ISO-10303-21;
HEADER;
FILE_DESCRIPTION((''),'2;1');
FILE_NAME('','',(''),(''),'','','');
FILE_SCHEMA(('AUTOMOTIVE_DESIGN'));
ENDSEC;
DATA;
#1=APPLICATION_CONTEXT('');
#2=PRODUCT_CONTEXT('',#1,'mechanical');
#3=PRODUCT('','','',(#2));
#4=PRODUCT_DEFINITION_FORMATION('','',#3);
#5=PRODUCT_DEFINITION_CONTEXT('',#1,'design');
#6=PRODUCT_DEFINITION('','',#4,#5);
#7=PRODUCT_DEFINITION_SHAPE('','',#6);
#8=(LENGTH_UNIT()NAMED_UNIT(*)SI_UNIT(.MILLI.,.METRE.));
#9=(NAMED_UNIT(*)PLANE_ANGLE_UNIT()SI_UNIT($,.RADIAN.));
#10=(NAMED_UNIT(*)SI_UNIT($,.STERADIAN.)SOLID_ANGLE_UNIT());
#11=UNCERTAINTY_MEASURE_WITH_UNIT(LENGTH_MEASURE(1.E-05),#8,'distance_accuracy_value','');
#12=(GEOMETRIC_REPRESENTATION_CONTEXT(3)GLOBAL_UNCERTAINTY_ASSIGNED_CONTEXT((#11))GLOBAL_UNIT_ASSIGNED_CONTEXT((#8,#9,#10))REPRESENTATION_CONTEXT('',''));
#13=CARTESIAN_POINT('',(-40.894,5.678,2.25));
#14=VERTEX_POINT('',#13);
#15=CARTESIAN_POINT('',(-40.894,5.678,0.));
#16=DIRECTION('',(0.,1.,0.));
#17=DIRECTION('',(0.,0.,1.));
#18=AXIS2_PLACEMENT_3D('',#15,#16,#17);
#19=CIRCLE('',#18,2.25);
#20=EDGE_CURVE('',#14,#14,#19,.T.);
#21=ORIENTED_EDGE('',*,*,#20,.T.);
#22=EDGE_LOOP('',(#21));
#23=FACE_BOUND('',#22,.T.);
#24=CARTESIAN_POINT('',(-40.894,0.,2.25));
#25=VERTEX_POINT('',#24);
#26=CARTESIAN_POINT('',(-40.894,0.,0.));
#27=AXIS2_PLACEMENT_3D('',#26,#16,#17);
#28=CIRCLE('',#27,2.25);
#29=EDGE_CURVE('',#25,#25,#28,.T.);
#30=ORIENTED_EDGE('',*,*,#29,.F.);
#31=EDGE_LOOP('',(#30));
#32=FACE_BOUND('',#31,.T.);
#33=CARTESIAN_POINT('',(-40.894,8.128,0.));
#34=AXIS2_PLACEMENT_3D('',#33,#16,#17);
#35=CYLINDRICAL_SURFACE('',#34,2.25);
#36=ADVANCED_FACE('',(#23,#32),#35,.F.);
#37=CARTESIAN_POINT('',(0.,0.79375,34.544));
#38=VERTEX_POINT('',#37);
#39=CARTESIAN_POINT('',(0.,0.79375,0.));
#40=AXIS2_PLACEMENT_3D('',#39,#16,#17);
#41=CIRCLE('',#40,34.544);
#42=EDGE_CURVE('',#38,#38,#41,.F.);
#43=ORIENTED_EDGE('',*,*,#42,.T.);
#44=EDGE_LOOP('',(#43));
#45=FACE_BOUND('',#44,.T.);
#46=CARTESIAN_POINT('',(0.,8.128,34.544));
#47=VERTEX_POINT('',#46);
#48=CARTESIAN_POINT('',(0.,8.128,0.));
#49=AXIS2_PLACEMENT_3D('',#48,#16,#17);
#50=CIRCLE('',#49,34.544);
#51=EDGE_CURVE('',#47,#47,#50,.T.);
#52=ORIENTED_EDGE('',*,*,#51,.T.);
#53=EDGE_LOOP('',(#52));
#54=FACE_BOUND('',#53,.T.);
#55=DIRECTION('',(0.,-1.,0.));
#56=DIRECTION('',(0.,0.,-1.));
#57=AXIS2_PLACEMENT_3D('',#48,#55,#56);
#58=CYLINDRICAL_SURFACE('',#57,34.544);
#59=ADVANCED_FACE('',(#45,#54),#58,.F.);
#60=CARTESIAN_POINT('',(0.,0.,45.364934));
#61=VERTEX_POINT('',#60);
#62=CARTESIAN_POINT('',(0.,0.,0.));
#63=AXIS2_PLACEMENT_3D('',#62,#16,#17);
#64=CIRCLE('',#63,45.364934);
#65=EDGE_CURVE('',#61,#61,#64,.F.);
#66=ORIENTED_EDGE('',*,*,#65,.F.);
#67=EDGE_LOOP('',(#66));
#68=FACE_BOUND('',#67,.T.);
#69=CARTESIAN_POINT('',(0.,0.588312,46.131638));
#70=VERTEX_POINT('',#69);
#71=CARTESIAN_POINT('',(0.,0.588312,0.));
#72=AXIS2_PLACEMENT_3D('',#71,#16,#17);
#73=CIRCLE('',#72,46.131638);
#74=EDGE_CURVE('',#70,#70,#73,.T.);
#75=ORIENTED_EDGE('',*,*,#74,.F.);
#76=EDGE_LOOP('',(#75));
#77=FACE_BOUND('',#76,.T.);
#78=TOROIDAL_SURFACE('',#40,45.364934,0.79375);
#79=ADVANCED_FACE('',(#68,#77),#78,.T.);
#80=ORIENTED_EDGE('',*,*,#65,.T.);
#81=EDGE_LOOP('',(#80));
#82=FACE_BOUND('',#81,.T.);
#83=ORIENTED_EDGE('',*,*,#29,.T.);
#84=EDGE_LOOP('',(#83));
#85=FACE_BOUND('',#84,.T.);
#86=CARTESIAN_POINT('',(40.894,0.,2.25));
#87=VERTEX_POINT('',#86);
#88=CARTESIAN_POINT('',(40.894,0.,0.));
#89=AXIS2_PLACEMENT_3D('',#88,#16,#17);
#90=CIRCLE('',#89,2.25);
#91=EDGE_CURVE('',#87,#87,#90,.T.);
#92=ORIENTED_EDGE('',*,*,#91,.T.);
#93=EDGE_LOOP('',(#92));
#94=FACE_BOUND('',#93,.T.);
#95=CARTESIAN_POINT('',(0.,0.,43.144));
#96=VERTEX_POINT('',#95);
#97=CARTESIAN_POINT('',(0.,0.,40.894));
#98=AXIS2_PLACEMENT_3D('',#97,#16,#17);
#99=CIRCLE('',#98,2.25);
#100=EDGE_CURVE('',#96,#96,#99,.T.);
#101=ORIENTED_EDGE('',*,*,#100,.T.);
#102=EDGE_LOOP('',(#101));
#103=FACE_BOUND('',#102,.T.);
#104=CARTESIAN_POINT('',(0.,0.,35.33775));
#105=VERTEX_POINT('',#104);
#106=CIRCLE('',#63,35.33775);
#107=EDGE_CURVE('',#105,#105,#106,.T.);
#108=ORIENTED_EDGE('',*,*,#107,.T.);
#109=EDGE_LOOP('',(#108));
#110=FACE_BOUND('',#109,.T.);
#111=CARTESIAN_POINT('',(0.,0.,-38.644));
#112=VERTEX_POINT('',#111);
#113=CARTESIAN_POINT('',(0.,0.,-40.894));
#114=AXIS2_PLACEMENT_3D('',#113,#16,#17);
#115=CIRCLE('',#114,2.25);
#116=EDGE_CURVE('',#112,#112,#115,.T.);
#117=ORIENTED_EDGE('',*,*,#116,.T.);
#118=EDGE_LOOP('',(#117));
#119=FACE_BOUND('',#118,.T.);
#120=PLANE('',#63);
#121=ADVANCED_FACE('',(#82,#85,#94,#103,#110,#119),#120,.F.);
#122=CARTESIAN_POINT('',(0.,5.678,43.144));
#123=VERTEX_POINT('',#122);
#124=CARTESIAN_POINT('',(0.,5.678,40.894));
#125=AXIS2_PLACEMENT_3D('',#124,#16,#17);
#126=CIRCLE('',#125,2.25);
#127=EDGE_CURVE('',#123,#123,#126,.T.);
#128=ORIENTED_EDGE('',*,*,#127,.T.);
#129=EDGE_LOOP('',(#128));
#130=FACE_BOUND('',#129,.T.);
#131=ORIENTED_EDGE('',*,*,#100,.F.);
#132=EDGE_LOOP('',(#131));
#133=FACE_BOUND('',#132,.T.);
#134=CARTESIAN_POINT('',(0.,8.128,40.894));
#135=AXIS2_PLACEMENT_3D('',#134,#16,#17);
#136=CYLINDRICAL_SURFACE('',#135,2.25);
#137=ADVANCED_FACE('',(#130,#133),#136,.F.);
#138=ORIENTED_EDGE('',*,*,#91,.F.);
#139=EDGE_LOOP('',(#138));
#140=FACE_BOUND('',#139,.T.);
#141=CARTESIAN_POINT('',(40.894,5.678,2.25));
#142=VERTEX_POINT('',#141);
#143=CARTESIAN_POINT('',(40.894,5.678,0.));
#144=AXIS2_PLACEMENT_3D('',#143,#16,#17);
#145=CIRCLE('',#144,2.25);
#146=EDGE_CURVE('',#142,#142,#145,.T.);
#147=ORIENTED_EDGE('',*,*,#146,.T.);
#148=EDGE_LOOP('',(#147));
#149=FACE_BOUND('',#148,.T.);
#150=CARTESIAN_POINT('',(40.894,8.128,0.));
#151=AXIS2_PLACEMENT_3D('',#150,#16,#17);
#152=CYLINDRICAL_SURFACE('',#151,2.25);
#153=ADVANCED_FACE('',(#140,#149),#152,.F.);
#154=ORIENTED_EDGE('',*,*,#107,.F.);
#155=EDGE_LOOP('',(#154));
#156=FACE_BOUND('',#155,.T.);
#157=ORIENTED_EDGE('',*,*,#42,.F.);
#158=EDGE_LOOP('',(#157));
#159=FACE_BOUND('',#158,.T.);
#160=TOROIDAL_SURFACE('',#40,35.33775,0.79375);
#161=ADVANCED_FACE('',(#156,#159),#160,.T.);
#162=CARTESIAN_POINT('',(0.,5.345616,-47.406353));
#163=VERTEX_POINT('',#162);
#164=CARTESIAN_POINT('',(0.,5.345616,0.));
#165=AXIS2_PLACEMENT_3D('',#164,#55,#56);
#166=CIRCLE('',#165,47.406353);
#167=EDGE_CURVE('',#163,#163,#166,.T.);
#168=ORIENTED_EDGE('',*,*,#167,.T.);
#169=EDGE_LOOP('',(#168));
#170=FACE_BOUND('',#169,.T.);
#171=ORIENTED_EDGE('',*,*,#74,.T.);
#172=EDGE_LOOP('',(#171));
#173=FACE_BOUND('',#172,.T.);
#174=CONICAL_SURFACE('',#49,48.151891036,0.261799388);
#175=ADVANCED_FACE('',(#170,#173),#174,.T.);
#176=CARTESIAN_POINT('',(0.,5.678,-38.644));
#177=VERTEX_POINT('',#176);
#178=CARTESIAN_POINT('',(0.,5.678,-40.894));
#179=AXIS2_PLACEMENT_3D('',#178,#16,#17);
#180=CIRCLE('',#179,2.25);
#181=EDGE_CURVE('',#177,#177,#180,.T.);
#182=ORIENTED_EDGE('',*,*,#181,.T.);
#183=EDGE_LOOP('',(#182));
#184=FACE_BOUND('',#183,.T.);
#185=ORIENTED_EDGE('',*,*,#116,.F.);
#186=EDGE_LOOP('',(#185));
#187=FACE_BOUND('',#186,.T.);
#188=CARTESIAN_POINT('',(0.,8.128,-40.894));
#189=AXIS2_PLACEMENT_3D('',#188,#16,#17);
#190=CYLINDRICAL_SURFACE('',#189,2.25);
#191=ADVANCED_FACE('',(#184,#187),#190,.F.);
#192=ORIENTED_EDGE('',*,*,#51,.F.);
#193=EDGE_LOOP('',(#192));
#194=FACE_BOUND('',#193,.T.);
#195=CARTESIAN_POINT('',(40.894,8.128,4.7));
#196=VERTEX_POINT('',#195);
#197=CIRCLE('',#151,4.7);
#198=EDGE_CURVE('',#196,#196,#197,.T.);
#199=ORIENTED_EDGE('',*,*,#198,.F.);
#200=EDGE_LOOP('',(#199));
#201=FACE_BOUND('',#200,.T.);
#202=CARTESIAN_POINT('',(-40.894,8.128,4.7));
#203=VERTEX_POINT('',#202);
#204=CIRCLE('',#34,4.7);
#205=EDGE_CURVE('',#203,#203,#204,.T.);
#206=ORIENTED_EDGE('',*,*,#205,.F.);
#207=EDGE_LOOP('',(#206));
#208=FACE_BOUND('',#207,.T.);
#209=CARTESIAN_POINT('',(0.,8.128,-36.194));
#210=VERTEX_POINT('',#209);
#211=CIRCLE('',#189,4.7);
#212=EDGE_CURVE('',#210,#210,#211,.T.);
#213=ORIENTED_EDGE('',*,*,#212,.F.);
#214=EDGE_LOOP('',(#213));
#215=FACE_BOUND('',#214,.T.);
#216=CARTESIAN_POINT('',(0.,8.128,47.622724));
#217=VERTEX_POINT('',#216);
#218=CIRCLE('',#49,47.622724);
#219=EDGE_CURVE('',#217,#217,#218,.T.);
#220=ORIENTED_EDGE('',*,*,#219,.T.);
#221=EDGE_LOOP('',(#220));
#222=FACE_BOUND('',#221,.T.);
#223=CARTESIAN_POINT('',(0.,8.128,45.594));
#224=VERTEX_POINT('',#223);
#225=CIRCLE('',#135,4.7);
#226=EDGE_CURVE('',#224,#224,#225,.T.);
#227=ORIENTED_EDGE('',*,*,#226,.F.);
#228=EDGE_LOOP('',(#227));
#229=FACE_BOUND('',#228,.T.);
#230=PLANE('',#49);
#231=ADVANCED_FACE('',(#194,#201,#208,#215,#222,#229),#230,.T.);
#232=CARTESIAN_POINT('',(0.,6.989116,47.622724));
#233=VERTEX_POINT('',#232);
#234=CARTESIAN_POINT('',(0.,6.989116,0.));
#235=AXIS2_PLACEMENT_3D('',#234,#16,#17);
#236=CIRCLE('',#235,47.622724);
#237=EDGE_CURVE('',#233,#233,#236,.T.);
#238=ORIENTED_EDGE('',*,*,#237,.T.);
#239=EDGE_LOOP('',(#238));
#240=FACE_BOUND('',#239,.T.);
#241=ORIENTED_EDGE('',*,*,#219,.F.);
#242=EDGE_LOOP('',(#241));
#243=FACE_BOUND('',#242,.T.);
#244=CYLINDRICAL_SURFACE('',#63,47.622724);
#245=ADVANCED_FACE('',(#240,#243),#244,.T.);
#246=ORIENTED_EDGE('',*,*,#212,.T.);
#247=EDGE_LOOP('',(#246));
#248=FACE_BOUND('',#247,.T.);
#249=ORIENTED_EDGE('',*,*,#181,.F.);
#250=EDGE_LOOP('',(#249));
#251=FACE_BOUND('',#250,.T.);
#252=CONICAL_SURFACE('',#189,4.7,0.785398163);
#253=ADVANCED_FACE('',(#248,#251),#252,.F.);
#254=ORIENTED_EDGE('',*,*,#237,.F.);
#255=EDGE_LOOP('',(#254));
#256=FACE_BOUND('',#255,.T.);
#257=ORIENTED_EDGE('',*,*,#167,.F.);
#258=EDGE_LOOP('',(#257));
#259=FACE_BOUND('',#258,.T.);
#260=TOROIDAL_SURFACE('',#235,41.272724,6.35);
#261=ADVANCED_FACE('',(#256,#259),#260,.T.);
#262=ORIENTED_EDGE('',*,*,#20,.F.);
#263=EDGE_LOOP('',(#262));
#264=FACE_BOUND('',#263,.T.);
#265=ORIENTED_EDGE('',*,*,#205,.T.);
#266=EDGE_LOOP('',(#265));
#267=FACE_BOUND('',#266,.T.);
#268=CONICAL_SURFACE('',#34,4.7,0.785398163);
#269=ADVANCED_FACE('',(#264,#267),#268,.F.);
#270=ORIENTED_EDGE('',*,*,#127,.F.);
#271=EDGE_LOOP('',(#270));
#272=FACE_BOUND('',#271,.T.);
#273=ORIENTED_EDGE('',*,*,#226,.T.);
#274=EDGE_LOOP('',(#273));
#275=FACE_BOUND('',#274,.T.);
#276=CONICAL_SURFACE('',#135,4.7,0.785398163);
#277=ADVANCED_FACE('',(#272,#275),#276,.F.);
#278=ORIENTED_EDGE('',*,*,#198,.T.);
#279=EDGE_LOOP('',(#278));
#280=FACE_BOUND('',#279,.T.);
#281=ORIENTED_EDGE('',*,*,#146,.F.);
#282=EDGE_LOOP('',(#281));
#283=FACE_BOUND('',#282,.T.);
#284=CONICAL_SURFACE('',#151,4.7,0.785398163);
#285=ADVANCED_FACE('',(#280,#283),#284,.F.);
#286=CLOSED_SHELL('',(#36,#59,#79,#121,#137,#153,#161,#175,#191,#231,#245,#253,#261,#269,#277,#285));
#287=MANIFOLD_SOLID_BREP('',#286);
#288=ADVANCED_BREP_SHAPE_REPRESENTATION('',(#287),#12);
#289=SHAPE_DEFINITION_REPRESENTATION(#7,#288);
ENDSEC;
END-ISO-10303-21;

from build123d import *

# Parameters (mm, degrees)
SKETCH1_R                                       = 47.244
SKETCH1_R_2                                     = 34.544
BOSS_EXTRUDE1_DEPTH                             = 8.128
CSK_FOR_M4_FLAT_HEAD_MACHINE_SCREW1_D           = 4.5
CSK_FOR_M4_FLAT_HEAD_MACHINE_SCREW1_CSINK_D     = 9.4
CSK_FOR_M4_FLAT_HEAD_MACHINE_SCREW1_CSINK_ANGLE = 90
CIRPATTERN1_COUNT                               = 4
DRAFT2_ANGLE                                    = 15
SKETCH6_OUTSIDE_W                               = 125.592
SKETCH6_OUTSIDE_H                               = 125.592
SKETCH6_OUTSIDE_R                               = 47.622724369
CUT_EXTRUDE1_DEPTH                              = 69.580417064
FILLET1_R                                       = 6.35
FILLET2_R                                       = 0.79375


with BuildPart() as part:
    # Sketch1 → Boss-Extrude1 (new body)
    with BuildSketch(Plane(origin=(0, 0, 0), x_dir=(1, 0, 0), z_dir=(0, 1, 0))):
        with Locations(Location((0, 0, 0), (0, 0, 270))):
            Circle(SKETCH1_R)
        with Locations(Location((0, 0, 0), (0, 0, 270))):
            Circle(SKETCH1_R_2, mode=Mode.SUBTRACT)
    extrude(amount=BOSS_EXTRUDE1_DEPTH)

    # CSK for M4 Flat Head Machine Screw1 (through all)
    with Locations(Plane(origin=(0, 8.128, -40.894), x_dir=(0, 0, 1), z_dir=(0, 1, 0))):
        with Locations((0, 0)):
            csk_for_m4_flat_head_machine_screw1 = CounterSinkHole(CSK_FOR_M4_FLAT_HEAD_MACHINE_SCREW1_D / 2, CSK_FOR_M4_FLAT_HEAD_MACHINE_SCREW1_CSINK_D / 2, counter_sink_angle=CSK_FOR_M4_FLAT_HEAD_MACHINE_SCREW1_CSINK_ANGLE)

    # CirPattern1: CSK for M4 Flat Head Machine Screw1 ×4 about axis
    cirpattern1_axis = Axis((0, 0, 0), (0, 1, 0))
    for i in range(1, CIRPATTERN1_COUNT):
        add(csk_for_m4_flat_head_machine_screw1.rotate(cirpattern1_axis, i * 360 / CIRPATTERN1_COUNT), mode=Mode.SUBTRACT)

    # Draft2
    draft2_faces = [part.faces().sort_by_distance(p)[0] for p in [
        (0, 4.064, -47.244),
    ]]
    draft(draft2_faces, Plane(origin=(0, 0, 0), x_dir=(0, 0, -1), z_dir=(0, -1, 0)), DRAFT2_ANGLE)

    # Sketch5 → Cut-Revolve1 (revolve, cut)
    with BuildSketch(Plane(origin=(0, 0, 0), x_dir=(0, 0, -1), z_dir=(1, 0, 0)), mode=Mode.PRIVATE) as cut_revolve1_sk:
        Polygon((48.151891036, 8.128), (49.421891036, 8.128), (47.244, 0), (45.974, 0), align=None)
    revolve(cut_revolve1_sk.sketch.rotate(Axis((0, 8.128, 0), (0, -1, 0)), 180), axis=Axis((0, 8.128, 0), (0, -1, 0)), mode=Mode.SUBTRACT)

    # Sketch6 outside → Cut-Extrude1 (cut, through all)
    with BuildSketch(Plane(origin=(0, 8.128, 0), x_dir=(1, 0, 0), z_dir=(0, 1, 0))):
        Rectangle(SKETCH6_OUTSIDE_W, SKETCH6_OUTSIDE_H)
        with Locations(Location((0, 0, 0), (0, 0, 270))):
            Circle(SKETCH6_OUTSIDE_R, mode=Mode.SUBTRACT)
    extrude(amount=-CUT_EXTRUDE1_DEPTH, mode=Mode.SUBTRACT)

    # Fillet1
    fillet1_edges = [part.edges().sort_by_distance(p)[0] for p in [
        (0, 6.153123114, -47.622724369),
    ]]
    fillet(fillet1_edges, radius=FILLET1_R)

    # Fillet2
    fillet2_edges = [part.edges().sort_by_distance(p)[0] for p in [
        (0, 0, -45.974),
        (0, 0, -34.544),
    ]]
    fillet(fillet2_edges, radius=FILLET2_R)


solid = part.part
